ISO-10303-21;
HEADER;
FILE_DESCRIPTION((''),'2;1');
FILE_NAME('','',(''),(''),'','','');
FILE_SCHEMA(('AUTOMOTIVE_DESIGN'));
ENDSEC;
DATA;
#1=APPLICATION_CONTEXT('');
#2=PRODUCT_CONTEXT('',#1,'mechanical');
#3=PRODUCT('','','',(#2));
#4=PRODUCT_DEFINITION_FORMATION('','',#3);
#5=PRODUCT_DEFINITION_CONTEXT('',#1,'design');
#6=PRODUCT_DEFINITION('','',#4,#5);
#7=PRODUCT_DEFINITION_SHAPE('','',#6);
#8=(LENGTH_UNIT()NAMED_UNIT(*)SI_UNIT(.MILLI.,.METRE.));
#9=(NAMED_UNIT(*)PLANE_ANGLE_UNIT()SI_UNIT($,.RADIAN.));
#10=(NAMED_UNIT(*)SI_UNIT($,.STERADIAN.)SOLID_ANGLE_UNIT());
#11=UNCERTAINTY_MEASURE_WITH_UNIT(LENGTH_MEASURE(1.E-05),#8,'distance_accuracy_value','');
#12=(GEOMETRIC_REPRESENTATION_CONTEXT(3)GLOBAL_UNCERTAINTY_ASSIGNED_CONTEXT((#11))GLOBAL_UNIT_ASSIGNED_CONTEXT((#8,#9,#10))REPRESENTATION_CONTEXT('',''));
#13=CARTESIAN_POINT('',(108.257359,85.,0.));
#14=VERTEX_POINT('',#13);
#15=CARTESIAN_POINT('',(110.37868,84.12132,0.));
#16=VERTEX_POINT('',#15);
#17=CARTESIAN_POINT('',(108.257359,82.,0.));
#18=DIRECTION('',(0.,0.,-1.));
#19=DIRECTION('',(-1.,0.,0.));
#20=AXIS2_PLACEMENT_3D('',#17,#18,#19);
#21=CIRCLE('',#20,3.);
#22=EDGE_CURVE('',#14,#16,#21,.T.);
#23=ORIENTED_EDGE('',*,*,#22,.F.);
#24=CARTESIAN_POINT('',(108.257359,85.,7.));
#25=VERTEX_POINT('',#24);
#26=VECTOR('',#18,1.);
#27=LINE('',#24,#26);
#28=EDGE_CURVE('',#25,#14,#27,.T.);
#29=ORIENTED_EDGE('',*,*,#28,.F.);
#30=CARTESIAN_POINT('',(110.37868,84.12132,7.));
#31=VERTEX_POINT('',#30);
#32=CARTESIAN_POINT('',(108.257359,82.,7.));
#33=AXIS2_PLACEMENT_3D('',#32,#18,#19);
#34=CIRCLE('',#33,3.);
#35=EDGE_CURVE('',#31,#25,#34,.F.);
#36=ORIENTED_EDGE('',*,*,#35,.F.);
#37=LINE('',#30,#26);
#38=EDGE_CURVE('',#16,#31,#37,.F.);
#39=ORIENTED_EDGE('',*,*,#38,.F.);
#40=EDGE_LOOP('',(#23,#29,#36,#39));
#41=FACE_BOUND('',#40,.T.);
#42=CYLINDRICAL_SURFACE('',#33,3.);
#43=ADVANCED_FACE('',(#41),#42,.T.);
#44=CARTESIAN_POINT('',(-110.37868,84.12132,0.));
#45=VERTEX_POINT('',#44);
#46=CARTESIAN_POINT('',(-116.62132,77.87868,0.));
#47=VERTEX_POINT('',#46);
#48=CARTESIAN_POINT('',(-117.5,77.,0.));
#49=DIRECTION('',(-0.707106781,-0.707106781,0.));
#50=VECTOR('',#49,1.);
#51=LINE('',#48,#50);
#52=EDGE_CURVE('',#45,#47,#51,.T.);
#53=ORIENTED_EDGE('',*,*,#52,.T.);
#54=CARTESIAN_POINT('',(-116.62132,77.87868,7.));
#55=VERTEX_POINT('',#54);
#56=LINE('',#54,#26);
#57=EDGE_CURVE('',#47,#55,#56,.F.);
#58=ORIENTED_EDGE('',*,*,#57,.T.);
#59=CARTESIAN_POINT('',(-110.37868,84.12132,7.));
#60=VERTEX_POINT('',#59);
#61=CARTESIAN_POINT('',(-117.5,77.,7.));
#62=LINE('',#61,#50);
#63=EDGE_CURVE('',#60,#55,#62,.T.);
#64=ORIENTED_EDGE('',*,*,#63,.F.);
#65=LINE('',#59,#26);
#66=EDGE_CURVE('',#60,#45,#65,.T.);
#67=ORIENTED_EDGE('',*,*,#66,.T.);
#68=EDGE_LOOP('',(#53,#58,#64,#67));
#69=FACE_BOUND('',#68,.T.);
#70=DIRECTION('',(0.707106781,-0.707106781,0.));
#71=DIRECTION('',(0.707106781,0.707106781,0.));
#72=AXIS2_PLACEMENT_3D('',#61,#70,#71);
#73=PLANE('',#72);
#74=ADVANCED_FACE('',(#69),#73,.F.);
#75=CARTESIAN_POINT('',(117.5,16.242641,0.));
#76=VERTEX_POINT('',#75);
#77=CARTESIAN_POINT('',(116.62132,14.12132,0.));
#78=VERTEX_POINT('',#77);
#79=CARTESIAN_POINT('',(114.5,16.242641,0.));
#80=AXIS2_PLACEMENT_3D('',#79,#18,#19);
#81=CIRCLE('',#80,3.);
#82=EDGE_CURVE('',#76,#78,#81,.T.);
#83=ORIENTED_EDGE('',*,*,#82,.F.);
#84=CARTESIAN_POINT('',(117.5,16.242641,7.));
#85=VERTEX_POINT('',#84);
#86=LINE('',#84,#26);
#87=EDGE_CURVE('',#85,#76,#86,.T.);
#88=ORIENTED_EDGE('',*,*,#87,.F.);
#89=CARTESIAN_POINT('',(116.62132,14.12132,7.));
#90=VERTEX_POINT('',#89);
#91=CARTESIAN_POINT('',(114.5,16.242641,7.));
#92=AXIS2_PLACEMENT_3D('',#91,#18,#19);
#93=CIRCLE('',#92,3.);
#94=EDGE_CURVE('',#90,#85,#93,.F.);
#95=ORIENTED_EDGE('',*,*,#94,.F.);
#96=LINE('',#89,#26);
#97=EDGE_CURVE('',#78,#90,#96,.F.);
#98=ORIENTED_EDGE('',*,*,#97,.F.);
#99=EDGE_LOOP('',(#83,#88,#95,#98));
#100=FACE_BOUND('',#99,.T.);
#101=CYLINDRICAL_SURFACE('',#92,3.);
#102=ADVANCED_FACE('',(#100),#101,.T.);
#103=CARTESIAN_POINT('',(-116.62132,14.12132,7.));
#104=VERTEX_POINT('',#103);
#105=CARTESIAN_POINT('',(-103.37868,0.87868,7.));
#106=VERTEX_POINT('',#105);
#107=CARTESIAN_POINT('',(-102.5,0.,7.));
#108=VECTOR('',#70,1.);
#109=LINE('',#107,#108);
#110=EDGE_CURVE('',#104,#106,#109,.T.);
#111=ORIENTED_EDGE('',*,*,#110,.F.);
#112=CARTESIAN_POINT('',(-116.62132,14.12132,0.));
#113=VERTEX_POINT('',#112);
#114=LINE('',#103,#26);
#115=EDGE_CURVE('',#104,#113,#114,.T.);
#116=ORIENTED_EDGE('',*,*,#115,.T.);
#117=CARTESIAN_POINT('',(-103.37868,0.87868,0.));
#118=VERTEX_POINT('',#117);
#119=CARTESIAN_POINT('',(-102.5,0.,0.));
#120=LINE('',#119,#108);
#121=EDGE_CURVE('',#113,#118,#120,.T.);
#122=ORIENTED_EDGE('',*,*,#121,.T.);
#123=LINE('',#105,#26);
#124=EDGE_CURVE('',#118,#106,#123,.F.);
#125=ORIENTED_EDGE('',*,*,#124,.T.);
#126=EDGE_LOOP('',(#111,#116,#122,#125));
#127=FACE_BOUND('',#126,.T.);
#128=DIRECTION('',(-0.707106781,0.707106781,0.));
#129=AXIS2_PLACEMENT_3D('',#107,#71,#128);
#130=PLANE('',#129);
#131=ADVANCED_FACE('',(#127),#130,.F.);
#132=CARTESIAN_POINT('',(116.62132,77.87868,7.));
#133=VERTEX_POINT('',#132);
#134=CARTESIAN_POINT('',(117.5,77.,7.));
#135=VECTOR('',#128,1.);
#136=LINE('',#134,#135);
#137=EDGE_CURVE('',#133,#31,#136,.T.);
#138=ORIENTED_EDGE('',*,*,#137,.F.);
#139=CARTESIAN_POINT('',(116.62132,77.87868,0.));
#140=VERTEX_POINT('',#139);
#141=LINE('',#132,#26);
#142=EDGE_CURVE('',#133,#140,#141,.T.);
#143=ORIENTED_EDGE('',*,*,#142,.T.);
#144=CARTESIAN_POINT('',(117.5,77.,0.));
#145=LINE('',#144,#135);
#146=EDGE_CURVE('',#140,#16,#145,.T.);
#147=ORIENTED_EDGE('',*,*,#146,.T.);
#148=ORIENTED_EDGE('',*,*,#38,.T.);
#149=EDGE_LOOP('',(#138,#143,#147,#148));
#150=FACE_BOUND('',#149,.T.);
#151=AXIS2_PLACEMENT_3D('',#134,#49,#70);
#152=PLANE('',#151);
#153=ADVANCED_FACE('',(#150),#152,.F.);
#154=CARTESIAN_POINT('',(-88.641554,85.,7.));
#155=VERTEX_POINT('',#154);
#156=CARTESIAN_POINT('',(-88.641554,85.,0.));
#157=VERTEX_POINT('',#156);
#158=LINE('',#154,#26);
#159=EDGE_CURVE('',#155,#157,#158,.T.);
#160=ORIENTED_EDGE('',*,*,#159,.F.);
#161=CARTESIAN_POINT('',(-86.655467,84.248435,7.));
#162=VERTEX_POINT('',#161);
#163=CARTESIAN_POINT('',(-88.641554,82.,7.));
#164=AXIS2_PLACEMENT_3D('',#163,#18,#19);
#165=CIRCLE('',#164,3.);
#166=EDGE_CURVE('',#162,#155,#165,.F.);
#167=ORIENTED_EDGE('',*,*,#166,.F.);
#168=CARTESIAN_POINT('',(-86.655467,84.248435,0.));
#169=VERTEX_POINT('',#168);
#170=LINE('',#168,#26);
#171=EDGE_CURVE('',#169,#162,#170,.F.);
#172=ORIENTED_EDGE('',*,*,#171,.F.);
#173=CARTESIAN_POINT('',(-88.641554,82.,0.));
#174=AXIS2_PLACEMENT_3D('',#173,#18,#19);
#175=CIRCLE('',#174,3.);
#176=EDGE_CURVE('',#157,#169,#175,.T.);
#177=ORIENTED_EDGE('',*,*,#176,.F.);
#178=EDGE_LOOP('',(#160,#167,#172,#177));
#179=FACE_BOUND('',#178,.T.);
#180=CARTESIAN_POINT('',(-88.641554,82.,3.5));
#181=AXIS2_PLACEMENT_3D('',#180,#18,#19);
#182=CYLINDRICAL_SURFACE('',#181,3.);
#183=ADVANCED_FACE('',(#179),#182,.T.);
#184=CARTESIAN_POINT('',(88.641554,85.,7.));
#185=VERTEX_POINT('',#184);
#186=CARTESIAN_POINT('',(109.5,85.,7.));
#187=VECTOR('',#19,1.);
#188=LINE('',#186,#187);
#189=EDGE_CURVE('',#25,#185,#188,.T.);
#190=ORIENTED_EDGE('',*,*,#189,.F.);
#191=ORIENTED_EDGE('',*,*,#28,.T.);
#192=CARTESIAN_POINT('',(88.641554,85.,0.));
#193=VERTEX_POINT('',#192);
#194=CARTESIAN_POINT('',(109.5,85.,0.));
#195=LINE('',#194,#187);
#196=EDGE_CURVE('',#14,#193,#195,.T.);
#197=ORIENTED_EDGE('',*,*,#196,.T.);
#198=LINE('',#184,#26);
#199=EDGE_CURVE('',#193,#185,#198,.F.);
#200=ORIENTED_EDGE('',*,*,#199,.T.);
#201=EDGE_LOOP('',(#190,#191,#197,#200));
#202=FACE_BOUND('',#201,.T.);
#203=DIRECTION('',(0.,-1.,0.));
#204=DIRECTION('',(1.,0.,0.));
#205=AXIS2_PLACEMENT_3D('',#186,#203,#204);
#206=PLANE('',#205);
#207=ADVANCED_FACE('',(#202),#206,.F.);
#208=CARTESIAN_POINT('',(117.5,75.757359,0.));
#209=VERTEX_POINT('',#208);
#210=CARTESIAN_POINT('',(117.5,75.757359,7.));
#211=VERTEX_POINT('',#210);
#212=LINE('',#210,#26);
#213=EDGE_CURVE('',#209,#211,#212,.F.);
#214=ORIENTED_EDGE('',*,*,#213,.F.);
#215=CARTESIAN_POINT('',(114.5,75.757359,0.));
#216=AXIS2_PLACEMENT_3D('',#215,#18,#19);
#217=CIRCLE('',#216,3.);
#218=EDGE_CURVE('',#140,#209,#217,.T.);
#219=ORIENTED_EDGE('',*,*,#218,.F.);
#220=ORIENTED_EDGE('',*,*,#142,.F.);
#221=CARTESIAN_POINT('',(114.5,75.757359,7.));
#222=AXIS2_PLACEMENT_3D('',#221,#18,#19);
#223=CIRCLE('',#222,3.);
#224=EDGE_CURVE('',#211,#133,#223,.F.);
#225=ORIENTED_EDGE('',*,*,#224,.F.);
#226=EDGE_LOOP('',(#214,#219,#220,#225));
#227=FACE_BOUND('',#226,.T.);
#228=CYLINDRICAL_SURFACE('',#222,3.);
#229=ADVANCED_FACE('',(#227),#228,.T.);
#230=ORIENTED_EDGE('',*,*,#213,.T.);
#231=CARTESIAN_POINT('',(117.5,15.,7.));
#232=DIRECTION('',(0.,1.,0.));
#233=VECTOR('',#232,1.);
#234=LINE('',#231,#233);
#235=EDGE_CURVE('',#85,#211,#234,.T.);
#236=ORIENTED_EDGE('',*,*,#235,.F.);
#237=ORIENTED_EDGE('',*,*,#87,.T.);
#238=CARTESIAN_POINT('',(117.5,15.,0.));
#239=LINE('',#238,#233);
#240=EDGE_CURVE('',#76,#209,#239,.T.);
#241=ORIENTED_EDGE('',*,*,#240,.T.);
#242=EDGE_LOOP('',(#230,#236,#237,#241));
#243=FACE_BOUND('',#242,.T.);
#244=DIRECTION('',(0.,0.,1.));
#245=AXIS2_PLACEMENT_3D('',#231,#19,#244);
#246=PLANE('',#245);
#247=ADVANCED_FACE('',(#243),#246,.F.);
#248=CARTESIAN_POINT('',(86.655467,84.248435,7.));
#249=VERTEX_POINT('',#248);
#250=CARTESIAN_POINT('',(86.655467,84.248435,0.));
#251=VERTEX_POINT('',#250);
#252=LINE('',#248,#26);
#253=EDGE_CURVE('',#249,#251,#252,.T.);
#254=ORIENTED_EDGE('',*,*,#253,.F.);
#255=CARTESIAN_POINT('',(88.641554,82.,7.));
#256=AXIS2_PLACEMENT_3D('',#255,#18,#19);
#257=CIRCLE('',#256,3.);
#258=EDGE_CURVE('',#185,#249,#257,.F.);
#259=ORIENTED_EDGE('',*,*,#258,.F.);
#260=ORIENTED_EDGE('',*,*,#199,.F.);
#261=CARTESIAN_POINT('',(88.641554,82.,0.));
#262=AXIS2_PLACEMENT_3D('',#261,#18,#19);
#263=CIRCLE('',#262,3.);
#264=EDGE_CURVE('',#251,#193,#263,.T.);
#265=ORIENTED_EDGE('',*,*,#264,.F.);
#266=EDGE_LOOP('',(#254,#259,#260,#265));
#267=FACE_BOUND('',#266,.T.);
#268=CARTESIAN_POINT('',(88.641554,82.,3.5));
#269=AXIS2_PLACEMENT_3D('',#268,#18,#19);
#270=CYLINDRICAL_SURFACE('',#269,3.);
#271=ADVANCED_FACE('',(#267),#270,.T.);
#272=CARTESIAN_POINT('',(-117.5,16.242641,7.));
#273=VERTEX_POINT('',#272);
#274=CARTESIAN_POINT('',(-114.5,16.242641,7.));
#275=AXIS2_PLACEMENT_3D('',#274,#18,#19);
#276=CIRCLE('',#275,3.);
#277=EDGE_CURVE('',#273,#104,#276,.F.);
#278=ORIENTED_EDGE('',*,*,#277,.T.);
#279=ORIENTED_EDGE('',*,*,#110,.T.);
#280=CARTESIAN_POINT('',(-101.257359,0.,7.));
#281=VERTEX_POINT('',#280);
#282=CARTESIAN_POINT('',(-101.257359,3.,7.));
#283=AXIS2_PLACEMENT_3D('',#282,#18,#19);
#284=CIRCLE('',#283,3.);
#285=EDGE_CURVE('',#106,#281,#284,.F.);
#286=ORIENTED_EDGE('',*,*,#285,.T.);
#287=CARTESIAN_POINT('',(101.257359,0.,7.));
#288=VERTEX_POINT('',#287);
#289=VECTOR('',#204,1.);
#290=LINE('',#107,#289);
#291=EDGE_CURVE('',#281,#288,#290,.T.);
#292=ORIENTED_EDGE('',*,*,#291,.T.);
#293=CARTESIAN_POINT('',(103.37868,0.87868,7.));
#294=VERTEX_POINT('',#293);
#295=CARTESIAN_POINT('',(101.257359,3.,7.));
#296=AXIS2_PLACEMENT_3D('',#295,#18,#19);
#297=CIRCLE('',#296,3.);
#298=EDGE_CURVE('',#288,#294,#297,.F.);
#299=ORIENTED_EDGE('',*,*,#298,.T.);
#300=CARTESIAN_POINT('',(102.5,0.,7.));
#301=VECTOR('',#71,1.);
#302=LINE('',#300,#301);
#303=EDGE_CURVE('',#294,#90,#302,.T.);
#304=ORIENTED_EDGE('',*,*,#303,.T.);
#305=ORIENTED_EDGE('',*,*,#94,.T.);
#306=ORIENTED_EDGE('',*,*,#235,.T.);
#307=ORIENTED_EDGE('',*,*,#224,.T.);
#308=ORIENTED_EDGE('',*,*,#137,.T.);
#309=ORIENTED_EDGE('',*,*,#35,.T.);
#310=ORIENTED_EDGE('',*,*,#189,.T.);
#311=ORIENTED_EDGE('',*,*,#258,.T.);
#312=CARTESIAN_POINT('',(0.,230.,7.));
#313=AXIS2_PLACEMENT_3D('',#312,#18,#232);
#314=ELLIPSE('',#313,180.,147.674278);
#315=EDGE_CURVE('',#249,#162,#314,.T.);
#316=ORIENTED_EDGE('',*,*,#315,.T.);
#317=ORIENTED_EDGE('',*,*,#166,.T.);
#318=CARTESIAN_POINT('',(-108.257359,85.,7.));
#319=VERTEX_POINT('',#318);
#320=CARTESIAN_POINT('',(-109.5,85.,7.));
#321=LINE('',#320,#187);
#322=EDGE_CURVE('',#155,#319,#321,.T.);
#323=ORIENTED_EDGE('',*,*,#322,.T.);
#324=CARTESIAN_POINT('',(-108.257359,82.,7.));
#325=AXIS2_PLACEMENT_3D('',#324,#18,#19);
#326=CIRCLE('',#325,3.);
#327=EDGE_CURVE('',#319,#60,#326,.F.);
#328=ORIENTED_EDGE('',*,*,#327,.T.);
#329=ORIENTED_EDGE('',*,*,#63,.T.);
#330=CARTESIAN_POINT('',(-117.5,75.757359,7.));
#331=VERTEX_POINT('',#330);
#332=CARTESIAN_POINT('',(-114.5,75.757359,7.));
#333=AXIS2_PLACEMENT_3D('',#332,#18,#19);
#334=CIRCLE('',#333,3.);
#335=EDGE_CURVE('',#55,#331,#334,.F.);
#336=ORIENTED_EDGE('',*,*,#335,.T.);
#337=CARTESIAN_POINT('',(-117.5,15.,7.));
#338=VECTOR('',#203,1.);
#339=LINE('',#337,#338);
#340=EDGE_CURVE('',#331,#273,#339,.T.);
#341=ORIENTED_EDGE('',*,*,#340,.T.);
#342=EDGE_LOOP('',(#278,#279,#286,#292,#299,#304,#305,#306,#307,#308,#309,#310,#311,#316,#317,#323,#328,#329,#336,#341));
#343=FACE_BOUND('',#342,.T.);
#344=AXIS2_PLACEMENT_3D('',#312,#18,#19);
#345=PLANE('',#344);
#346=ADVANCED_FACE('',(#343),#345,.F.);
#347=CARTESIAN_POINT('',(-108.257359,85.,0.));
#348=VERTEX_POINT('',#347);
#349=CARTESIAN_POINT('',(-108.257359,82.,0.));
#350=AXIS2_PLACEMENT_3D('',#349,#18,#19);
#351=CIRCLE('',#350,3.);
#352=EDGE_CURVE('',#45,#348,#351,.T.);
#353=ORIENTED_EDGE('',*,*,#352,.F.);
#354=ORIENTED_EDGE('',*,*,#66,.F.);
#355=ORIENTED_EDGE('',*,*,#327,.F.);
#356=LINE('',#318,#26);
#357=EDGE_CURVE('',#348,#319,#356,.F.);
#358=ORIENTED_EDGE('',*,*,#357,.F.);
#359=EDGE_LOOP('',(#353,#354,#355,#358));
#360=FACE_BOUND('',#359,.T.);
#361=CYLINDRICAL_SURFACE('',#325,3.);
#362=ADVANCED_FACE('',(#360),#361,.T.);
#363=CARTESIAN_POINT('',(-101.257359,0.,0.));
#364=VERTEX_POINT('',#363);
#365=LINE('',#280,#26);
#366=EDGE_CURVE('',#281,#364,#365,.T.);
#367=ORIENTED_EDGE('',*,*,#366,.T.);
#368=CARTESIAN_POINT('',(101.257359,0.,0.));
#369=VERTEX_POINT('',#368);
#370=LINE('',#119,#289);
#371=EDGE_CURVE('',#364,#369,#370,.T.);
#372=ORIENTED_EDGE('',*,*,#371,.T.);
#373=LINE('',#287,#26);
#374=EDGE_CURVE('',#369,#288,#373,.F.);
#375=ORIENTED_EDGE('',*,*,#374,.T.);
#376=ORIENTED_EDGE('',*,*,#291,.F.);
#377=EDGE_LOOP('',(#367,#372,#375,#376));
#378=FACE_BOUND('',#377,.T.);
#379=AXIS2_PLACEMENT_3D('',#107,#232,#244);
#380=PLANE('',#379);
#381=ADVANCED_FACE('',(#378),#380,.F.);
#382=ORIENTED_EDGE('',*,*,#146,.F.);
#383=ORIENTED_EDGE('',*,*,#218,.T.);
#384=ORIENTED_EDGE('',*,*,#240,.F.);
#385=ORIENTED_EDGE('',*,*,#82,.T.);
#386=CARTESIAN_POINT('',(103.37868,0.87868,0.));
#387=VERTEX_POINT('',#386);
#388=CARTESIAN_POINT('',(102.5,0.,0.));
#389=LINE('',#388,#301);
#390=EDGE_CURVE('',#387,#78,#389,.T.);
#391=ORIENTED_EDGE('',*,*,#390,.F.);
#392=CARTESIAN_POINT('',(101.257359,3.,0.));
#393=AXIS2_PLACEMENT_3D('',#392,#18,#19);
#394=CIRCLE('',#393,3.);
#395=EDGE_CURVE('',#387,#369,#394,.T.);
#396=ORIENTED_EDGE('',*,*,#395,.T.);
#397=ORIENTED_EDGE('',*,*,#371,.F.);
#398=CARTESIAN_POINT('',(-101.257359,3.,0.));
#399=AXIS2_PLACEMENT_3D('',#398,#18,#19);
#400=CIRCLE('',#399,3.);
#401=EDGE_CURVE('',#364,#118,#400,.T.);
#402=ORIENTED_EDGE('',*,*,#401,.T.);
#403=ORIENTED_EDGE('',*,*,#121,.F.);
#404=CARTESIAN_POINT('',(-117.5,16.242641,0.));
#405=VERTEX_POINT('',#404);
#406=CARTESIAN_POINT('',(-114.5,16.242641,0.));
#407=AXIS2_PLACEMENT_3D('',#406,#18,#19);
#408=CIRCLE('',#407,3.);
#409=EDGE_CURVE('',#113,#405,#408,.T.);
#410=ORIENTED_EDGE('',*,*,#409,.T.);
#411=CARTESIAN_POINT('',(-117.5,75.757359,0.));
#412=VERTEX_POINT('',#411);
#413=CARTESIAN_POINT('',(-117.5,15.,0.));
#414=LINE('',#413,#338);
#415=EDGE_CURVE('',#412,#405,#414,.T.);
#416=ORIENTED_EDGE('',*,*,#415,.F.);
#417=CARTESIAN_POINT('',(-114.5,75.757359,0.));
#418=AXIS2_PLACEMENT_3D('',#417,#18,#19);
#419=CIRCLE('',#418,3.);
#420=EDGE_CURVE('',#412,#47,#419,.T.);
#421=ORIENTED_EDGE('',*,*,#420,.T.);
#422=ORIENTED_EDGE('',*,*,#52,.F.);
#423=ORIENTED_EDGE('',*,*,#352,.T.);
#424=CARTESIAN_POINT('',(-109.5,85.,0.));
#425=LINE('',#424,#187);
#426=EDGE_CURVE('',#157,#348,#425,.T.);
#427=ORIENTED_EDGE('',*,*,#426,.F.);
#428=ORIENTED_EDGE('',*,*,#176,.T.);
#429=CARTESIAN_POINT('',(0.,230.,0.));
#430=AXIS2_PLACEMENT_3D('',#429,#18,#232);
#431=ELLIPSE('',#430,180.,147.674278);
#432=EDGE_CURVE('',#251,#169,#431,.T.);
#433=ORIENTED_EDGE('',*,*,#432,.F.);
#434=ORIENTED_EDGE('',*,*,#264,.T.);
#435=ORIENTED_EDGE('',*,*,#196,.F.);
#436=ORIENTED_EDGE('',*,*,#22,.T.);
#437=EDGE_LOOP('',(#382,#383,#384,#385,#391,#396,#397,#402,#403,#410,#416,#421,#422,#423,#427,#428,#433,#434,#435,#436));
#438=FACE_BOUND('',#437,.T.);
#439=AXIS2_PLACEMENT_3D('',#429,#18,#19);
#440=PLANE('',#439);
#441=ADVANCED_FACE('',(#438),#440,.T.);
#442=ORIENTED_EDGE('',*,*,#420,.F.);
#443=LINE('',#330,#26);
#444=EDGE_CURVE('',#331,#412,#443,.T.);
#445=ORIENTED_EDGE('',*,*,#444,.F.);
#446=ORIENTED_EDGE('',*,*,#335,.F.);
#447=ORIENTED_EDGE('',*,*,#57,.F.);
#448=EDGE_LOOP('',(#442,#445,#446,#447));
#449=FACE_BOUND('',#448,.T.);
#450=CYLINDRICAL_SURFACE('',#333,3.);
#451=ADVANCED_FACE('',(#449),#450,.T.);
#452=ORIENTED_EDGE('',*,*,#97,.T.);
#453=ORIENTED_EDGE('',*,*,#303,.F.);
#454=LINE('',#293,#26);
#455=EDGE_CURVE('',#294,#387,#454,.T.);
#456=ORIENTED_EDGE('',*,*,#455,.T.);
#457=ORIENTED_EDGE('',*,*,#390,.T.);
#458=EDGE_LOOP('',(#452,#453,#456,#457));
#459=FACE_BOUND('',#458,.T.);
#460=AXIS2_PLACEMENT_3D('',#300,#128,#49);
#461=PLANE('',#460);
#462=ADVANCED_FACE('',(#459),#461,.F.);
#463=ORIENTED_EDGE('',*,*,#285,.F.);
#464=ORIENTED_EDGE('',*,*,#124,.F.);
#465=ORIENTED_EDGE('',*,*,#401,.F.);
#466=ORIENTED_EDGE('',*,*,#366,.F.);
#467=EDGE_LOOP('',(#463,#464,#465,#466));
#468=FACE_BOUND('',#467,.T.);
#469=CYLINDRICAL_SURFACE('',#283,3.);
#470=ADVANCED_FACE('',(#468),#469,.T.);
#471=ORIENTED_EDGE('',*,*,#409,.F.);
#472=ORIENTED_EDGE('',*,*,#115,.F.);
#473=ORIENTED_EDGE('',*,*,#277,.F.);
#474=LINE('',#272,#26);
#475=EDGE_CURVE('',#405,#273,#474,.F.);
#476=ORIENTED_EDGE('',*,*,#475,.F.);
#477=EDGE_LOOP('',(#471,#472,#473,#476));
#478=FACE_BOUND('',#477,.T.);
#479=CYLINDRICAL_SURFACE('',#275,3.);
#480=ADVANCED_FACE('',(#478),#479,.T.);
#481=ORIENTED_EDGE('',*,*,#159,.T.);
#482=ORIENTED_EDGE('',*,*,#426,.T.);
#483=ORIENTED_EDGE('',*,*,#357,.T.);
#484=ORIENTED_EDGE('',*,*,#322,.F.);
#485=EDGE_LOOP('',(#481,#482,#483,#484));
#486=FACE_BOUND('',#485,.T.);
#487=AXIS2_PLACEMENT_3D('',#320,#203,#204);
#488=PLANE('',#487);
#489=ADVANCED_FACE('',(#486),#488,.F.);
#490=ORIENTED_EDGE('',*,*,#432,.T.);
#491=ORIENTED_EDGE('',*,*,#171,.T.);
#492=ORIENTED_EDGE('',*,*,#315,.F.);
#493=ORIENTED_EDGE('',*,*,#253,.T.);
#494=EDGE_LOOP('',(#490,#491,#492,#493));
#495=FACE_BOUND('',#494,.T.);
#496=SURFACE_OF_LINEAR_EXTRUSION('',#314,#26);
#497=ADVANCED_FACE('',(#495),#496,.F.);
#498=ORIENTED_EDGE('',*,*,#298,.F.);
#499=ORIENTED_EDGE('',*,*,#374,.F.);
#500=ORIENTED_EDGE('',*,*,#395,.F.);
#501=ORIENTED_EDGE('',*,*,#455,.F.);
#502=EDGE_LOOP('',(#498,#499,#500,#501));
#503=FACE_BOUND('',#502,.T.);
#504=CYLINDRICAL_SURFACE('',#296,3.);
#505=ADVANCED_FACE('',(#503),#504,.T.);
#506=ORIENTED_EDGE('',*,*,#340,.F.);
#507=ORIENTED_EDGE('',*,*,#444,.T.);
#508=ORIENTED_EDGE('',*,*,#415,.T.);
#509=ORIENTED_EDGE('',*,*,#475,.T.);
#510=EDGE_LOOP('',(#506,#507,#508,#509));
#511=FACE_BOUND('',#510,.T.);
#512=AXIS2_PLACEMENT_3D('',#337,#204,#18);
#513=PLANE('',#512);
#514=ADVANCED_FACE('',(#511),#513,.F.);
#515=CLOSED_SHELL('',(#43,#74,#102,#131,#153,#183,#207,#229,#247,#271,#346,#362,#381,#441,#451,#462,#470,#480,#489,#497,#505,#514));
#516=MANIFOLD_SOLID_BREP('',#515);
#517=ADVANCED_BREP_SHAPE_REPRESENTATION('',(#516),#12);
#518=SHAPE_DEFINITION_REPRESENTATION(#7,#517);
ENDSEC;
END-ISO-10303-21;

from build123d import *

# Parameters (mm, degrees)
BASE_EXTRUDE_DEPTH = 7
FILLET1_R          = 3


with BuildPart() as part:
    # Sketch1 → Base-Extrude (new body)
    with BuildSketch(Plane.XY):
        with BuildLine():
            Line((-102.5, 0), (102.5, 0))
            Line((102.5, 0), (117.5, 15))
            Line((117.5, 15), (117.5, 77))
            Line((117.5, 77), (109.5, 85))
            Line((109.5, 85), (87.5, 85))
            add(Edge.make_bspline(
                [(-87.5, 85), (0, 6.551724138), (87.5, 85)],
                knots=[2.507408813, 2.507408813, 2.507408813, 3.775776494, 3.775776494, 3.775776494], degree=2, weights=[1, 0.805555556, 1]))
            Line((-87.5, 85), (-109.5, 85))
            Line((-109.5, 85), (-117.5, 77))
            Line((-117.5, 77), (-117.5, 15))
            Line((-117.5, 15), (-102.5, 0))
        make_face()
    extrude(amount=BASE_EXTRUDE_DEPTH)

    # Fillet1
    fillet1_edges = [part.edges().sort_by_distance(p)[0] for p in [
        (102.5, 0, 3.5),
        (-102.5, 0, 3.5),
        (-117.5, 15, 3.5),
        (-117.5, 77, 3.5),
        (-109.5, 85, 3.5),
        (-87.5, 85, 3.5),
        (87.5, 85, 3.5),
        (109.5, 85, 3.5),
        (117.5, 77, 3.5),
        (117.5, 15, 3.5),
    ]]
    fillet(fillet1_edges, radius=FILLET1_R)


solid = part.part
